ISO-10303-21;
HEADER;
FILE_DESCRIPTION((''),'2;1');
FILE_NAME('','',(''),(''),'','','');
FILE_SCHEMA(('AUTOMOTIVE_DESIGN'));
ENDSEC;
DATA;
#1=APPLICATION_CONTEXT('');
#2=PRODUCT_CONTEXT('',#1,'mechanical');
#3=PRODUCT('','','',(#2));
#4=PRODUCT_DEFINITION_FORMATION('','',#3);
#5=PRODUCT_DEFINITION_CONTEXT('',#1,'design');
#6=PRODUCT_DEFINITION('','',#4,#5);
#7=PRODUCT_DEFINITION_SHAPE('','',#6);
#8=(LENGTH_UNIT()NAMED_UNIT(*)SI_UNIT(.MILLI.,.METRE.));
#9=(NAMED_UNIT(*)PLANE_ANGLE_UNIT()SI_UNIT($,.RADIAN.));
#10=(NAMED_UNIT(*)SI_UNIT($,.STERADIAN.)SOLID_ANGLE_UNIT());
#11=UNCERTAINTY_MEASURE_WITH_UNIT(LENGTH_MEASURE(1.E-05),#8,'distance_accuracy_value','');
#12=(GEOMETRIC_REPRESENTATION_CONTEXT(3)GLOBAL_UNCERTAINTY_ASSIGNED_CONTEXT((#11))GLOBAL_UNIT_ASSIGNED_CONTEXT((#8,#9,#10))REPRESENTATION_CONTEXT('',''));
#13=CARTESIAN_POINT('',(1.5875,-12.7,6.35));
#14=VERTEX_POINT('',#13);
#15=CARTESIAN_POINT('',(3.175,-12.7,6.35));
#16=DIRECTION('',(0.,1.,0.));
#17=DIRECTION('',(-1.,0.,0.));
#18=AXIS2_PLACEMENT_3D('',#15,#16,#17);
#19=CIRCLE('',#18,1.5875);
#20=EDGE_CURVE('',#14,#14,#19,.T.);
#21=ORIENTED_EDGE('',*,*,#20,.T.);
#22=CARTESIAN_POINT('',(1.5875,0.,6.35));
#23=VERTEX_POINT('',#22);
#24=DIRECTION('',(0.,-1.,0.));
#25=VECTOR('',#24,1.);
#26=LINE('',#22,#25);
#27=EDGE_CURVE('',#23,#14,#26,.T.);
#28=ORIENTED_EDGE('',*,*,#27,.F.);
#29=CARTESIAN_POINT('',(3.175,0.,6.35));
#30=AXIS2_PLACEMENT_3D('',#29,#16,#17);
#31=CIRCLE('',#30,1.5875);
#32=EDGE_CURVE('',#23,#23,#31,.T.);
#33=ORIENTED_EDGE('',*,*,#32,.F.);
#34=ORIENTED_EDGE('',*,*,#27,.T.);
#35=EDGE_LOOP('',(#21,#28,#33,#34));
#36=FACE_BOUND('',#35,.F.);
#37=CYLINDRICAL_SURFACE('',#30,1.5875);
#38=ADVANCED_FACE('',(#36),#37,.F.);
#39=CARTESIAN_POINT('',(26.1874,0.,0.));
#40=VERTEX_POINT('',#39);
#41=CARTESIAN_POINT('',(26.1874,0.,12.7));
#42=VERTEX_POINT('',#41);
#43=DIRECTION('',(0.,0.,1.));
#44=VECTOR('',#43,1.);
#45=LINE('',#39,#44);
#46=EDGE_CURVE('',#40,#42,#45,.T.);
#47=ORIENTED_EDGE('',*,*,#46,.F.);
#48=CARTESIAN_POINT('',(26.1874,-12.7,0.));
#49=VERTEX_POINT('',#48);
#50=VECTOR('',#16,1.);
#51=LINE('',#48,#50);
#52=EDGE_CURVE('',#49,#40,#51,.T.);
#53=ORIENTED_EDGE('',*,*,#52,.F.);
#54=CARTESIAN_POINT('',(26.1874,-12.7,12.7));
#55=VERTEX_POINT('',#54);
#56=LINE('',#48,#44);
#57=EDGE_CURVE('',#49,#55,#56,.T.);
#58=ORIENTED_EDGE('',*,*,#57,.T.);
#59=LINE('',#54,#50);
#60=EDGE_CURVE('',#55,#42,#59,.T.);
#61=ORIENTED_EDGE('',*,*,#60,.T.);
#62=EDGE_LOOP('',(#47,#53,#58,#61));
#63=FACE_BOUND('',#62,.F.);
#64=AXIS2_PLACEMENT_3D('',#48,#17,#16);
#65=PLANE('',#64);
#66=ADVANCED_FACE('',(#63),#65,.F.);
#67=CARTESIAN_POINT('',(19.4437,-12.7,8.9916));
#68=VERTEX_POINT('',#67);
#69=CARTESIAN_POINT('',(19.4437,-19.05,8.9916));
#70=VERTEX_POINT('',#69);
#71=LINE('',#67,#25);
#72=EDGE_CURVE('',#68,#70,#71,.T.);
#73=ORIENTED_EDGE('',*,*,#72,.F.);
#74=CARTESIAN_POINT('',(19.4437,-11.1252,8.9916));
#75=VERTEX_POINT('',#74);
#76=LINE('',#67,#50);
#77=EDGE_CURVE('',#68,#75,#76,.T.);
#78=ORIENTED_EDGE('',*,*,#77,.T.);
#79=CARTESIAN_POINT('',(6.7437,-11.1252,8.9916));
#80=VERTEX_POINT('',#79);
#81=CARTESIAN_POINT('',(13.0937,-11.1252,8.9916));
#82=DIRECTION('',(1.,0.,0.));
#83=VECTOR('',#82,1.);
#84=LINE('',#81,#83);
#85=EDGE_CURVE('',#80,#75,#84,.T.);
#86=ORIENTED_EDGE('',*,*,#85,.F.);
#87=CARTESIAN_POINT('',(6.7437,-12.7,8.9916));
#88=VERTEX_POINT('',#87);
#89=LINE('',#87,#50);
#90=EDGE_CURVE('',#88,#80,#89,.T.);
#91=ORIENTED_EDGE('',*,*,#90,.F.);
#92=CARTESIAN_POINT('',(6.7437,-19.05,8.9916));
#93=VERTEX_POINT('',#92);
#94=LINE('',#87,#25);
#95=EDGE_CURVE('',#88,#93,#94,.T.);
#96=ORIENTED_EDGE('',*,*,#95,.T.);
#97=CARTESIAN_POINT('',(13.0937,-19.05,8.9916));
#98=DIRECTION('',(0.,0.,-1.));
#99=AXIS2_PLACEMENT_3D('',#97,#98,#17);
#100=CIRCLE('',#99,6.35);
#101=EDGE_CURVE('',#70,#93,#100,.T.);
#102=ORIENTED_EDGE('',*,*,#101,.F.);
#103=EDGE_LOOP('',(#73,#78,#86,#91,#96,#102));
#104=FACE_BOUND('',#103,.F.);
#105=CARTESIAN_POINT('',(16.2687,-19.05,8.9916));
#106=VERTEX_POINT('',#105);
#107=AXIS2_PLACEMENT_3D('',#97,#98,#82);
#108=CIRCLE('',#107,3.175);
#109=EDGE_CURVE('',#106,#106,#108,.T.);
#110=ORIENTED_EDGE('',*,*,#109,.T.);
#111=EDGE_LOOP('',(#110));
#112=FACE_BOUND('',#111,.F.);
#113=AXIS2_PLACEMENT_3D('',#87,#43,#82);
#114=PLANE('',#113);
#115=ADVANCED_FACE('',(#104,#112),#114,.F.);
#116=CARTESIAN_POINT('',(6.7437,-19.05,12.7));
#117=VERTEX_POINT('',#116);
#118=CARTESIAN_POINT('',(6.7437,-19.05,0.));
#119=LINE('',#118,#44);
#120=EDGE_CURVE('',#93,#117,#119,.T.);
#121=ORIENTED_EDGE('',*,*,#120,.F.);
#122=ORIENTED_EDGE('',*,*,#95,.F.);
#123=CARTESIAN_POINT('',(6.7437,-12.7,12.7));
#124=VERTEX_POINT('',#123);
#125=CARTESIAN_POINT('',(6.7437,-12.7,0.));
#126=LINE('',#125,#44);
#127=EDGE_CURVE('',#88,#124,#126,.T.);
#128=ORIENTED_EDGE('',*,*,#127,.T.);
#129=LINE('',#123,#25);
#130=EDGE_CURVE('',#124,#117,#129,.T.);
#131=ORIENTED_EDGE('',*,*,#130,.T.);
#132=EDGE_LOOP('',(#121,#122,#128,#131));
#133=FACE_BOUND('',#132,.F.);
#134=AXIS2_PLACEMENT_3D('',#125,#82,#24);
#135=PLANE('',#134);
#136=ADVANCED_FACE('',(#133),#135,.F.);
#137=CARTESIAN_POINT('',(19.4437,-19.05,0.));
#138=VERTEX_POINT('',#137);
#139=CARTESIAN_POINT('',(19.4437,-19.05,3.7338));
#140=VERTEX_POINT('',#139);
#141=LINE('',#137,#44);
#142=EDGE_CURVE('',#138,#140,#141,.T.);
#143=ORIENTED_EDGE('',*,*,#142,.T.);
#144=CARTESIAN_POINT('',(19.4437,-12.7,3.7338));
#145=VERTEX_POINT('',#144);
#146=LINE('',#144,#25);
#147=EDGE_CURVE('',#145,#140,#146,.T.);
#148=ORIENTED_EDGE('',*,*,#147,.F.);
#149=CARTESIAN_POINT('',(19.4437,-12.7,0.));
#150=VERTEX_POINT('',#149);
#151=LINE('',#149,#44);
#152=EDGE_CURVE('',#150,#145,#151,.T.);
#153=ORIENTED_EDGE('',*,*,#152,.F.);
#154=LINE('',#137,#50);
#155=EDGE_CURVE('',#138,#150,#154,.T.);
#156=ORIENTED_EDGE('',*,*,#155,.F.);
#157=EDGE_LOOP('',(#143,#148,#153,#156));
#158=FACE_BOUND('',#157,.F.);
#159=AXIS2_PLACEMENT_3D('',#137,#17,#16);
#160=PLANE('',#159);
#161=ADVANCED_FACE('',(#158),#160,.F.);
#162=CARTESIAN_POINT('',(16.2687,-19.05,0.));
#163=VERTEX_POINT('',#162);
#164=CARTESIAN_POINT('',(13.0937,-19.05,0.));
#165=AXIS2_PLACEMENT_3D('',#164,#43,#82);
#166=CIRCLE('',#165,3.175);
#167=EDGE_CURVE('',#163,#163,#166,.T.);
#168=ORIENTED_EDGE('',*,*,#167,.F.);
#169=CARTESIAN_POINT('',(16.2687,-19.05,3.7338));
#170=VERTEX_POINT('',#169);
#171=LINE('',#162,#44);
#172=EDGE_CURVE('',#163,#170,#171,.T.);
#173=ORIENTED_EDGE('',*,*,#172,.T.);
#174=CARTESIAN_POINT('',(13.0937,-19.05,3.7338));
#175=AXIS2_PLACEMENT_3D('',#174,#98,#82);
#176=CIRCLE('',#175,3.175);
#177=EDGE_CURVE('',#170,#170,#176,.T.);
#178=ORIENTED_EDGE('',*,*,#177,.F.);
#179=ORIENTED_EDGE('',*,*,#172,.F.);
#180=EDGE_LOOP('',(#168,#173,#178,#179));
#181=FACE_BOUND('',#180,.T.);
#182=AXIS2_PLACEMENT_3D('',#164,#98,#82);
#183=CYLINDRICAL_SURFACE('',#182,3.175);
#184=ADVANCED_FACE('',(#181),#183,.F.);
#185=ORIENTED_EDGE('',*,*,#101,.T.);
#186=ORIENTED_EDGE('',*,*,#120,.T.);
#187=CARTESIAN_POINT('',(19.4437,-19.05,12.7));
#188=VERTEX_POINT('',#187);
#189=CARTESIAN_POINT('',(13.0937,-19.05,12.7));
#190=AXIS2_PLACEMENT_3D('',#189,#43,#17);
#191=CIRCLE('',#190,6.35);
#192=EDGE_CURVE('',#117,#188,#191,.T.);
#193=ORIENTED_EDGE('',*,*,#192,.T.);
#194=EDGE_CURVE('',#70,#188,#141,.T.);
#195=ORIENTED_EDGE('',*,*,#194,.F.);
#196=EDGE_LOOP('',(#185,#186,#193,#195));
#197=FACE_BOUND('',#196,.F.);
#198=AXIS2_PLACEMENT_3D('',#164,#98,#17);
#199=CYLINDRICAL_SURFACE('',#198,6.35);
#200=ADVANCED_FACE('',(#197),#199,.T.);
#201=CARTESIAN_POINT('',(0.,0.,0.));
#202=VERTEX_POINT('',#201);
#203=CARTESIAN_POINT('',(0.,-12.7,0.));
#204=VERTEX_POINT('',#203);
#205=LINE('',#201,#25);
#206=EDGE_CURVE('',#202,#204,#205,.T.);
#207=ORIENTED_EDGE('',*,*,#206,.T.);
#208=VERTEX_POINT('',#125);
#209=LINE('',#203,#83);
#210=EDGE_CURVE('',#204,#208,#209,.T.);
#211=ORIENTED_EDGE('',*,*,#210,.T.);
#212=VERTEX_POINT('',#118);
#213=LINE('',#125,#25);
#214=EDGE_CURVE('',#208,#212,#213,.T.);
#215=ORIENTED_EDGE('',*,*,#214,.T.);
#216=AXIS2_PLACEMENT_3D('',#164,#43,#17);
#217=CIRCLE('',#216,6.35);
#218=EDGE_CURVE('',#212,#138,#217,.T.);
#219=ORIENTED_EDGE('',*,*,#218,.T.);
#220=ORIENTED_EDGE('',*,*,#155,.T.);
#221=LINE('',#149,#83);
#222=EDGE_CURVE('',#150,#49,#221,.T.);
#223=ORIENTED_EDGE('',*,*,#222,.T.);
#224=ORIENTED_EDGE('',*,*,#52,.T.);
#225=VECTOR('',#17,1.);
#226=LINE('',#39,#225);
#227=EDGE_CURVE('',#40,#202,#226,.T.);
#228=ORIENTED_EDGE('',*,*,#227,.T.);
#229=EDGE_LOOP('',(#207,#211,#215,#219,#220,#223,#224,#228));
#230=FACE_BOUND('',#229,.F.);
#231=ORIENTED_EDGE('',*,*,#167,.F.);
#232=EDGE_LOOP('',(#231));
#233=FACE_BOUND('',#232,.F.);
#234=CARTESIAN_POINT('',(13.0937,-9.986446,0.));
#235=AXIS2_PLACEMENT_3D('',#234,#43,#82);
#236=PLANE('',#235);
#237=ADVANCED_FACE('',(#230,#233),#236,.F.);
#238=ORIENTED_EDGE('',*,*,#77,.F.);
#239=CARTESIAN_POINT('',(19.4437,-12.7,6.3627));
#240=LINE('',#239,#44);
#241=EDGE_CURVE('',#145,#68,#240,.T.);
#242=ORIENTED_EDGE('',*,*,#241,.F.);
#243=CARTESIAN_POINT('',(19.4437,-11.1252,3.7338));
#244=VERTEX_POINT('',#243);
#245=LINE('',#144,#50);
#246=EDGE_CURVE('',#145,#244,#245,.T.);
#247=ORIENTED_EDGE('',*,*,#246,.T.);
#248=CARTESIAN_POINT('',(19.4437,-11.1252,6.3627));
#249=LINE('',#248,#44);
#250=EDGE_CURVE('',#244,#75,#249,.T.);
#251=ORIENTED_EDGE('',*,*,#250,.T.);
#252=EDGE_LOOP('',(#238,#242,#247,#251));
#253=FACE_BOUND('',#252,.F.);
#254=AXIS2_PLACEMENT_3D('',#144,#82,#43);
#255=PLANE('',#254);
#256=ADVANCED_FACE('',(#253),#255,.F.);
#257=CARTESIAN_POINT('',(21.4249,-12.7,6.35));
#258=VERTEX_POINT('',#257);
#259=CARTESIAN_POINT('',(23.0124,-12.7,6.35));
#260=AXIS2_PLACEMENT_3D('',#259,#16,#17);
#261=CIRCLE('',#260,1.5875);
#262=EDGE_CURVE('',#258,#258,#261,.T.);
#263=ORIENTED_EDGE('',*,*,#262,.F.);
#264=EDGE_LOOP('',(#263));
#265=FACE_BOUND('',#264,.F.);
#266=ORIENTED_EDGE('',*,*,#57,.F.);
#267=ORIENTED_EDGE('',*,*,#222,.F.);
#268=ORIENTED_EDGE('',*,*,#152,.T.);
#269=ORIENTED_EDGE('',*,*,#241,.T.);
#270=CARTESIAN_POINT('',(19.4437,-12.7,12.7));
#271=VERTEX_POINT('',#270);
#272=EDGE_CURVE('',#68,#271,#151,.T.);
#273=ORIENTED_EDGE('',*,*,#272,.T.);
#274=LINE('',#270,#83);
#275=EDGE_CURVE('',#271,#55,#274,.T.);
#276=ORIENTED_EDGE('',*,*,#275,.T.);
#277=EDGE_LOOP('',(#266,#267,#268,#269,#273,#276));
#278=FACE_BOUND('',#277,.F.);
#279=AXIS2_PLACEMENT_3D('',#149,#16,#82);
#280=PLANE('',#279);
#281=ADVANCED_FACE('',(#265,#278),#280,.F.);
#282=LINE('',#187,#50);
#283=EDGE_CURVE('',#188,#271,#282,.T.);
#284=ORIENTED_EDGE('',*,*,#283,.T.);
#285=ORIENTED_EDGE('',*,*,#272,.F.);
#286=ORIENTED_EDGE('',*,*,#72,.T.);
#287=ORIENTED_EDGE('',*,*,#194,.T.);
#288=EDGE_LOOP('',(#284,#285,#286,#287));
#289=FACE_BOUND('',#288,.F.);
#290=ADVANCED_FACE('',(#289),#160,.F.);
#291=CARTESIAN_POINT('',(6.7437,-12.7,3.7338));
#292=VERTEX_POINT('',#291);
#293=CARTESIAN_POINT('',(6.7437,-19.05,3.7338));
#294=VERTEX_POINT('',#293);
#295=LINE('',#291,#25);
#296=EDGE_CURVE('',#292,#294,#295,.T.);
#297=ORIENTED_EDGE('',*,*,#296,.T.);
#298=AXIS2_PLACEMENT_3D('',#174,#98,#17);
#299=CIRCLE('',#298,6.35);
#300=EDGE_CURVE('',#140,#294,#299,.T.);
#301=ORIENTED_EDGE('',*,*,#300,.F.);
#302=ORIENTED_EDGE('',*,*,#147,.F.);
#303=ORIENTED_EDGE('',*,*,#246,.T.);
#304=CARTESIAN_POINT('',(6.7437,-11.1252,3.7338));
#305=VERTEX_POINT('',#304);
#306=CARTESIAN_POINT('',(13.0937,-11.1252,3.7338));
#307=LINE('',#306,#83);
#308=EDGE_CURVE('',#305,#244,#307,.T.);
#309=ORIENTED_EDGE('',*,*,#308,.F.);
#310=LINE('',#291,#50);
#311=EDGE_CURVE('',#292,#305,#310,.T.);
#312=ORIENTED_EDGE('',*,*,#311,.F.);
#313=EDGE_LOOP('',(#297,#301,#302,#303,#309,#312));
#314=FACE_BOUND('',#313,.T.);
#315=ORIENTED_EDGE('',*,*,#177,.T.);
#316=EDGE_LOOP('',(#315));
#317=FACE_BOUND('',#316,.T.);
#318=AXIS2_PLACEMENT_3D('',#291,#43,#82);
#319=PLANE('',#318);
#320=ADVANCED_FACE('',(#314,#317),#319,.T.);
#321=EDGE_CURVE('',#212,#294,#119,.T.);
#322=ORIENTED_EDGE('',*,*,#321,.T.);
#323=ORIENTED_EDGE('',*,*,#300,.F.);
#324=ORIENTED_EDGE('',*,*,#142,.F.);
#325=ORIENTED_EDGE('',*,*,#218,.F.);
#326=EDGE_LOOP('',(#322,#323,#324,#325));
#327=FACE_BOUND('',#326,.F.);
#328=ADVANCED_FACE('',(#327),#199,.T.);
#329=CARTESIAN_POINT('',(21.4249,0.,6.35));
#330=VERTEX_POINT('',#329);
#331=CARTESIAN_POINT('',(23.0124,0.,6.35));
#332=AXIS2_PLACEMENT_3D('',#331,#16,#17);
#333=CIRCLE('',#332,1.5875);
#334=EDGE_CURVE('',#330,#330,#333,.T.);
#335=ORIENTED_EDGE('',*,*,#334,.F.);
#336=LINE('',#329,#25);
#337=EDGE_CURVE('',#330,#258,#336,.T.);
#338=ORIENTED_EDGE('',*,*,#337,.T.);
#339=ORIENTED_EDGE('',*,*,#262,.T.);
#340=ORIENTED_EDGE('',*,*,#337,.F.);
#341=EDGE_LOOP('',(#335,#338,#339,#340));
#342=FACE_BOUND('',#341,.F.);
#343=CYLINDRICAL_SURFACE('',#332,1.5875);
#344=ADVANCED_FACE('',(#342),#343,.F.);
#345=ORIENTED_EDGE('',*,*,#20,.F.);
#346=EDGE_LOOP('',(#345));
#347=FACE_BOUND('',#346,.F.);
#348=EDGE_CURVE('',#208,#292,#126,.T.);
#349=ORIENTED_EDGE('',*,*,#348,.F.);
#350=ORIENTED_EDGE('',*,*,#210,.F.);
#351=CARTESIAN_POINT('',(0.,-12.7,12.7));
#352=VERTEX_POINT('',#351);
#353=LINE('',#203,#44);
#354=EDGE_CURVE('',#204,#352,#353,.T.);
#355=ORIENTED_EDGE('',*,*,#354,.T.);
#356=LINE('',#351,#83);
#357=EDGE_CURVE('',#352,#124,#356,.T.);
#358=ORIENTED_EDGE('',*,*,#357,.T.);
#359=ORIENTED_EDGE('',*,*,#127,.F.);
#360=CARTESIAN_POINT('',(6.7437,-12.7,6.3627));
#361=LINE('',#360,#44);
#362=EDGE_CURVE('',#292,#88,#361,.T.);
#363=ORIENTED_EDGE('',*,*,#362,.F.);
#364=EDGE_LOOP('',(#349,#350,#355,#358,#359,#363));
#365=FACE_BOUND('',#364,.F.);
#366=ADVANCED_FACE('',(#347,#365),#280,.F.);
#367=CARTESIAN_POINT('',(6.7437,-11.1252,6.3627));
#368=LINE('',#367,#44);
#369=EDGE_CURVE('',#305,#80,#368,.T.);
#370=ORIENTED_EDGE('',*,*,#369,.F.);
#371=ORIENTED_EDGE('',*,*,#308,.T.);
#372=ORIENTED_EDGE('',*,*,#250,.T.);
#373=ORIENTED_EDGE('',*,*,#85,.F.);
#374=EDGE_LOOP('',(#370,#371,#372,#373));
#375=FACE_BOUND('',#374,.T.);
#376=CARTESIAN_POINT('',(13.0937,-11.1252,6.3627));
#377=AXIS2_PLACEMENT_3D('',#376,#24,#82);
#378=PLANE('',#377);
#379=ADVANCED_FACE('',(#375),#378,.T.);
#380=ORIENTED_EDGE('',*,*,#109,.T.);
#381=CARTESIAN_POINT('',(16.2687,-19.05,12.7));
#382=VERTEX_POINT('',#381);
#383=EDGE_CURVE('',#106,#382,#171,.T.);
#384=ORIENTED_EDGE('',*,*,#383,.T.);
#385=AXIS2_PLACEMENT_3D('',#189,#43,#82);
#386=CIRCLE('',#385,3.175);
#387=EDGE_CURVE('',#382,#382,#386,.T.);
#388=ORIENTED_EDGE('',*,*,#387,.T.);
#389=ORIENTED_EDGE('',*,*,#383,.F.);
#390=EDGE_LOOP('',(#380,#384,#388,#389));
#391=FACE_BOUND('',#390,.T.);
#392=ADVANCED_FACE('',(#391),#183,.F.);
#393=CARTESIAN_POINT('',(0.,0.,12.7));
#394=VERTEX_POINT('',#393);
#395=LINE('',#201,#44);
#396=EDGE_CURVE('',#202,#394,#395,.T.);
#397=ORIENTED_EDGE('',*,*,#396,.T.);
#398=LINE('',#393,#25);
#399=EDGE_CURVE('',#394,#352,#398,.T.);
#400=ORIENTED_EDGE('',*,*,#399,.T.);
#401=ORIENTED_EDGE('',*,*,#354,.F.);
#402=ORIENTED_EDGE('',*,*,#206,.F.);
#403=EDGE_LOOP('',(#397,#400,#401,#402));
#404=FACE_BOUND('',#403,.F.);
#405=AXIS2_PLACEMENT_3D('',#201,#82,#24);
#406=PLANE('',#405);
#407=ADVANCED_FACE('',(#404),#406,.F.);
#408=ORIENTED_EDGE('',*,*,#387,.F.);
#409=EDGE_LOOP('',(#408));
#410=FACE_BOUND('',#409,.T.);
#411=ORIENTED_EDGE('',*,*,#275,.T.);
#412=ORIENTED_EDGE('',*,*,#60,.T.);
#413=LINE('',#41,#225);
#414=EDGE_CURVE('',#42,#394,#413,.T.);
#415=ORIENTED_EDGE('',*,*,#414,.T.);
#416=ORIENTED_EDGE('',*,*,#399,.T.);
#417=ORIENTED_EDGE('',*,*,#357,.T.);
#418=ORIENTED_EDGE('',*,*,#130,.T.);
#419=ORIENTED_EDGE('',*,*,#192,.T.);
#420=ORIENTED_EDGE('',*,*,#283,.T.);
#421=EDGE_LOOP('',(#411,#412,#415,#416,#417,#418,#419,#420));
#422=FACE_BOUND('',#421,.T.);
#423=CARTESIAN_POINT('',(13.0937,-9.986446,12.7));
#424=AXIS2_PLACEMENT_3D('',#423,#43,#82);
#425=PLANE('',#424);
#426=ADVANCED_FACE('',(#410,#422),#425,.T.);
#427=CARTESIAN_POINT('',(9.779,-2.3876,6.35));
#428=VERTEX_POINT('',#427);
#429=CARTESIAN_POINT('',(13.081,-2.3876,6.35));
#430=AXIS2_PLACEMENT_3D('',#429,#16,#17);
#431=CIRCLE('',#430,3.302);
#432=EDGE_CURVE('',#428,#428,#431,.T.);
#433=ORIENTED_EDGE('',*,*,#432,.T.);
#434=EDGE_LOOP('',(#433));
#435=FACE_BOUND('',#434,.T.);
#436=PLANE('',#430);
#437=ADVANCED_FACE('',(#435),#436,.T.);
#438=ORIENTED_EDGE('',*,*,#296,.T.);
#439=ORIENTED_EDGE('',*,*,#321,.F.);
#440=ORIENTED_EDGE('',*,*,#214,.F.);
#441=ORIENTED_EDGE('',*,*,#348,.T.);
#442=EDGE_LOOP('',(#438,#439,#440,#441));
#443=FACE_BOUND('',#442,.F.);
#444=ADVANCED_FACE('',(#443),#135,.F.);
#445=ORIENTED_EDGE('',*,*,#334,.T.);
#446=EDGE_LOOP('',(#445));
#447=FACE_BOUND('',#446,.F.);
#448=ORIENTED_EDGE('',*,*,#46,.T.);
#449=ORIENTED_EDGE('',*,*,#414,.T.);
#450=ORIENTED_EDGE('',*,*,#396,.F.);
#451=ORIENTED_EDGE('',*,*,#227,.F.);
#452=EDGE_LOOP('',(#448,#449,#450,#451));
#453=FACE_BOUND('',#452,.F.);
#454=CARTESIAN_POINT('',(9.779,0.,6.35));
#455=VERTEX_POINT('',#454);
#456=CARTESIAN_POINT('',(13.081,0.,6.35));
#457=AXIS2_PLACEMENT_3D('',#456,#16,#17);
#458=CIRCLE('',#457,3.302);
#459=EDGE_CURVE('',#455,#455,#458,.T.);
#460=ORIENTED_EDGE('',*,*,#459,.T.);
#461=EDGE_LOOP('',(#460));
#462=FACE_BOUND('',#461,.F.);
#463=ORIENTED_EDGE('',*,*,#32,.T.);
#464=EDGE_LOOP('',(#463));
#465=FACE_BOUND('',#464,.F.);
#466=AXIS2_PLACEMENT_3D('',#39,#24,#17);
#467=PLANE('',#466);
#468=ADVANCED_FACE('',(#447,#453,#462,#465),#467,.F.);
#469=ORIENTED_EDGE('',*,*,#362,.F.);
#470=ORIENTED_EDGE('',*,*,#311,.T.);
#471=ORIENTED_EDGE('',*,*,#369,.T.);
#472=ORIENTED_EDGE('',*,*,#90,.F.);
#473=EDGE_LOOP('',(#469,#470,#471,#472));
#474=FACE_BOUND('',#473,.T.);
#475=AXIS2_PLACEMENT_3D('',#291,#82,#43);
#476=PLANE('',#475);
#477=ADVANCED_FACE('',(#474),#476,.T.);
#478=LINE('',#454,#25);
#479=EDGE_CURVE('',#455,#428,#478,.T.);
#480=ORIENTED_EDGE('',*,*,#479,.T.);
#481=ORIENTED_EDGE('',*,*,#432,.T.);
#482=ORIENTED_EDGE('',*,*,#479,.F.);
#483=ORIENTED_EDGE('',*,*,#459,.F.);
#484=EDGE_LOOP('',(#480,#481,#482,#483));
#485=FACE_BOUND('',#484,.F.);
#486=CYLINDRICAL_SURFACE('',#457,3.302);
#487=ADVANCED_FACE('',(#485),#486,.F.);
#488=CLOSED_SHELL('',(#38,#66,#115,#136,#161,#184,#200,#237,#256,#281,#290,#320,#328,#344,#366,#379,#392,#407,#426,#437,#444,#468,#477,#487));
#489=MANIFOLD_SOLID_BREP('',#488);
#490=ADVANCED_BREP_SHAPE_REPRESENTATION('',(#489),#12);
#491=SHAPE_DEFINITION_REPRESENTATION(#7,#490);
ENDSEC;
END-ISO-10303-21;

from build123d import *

# Parameters (mm, degrees)
F0_R     = 3.175
F1_DEPTH = 12.7
F2_R     = 1.5875
F3_DEPTH = 25.401
F4_R     = 3.302
F5_DEPTH = 2.3876
F6_W     = 12.7
F6_H     = 5.2578
F7_DEPTH = 12.701
F8_DEPTH = 1.5748


with BuildPart() as f1:
    # F0 (on Top) → F1 (new body)
    with BuildSketch(Plane.XY):
        with BuildLine():
            Line((26.1874, 0), (0, 0))
            Line((0, 0), (0, -12.7))
            Line((0, -12.7), (6.7437, -12.7))
            Line((6.7437, -12.7), (6.7437, -19.05))
            ThreePointArc((6.7437, -19.05), (13.0937, -25.4), (19.4437, -19.05))
            Line((19.4437, -19.05), (19.4437, -12.7))
            Line((19.4437, -12.7), (26.1874, -12.7))
            Line((26.1874, -12.7), (26.1874, 0))
        make_face()
        with Locations((13.0937, -19.05)):
            Circle(F0_R, mode=Mode.SUBTRACT)
    extrude(amount=F1_DEPTH)

    # F2 (on face) → F3 (cut, through all)
    with BuildSketch(Plane(origin=(0, 0, 0), x_dir=(-1, 0, 0), z_dir=(0, 1, 0))):
        with Locations((-3.175, 6.35)):
            Circle(F2_R)
        with Locations((-23.0124, 6.35)):
            Circle(F2_R)
    extrude(amount=-F3_DEPTH, mode=Mode.SUBTRACT)

    # F4 (on face) → F5 (cut)
    with BuildSketch(Plane(origin=(0, 0, 0), x_dir=(-1, 0, 0), z_dir=(0, 1, 0))):
        with Locations((-13.081, 6.35)):
            Circle(F4_R)
    extrude(amount=-F5_DEPTH, mode=Mode.SUBTRACT)

    # F6 (on face) → F7 (cut, through all)
    with BuildSketch(Plane.XZ.offset(12.7)):
        with Locations((13.0937, 6.3627)):
            Rectangle(F6_W, F6_H)
    extrude(amount=F7_DEPTH, mode=Mode.SUBTRACT)

    # F6 (on face) → F8 (cut)
    with BuildSketch(Plane.XZ.offset(12.7)):
        with Locations((13.0937, 6.3627)):
            Rectangle(F6_W, F6_H)
    extrude(amount=-F8_DEPTH, mode=Mode.SUBTRACT)


solid = f1.part
